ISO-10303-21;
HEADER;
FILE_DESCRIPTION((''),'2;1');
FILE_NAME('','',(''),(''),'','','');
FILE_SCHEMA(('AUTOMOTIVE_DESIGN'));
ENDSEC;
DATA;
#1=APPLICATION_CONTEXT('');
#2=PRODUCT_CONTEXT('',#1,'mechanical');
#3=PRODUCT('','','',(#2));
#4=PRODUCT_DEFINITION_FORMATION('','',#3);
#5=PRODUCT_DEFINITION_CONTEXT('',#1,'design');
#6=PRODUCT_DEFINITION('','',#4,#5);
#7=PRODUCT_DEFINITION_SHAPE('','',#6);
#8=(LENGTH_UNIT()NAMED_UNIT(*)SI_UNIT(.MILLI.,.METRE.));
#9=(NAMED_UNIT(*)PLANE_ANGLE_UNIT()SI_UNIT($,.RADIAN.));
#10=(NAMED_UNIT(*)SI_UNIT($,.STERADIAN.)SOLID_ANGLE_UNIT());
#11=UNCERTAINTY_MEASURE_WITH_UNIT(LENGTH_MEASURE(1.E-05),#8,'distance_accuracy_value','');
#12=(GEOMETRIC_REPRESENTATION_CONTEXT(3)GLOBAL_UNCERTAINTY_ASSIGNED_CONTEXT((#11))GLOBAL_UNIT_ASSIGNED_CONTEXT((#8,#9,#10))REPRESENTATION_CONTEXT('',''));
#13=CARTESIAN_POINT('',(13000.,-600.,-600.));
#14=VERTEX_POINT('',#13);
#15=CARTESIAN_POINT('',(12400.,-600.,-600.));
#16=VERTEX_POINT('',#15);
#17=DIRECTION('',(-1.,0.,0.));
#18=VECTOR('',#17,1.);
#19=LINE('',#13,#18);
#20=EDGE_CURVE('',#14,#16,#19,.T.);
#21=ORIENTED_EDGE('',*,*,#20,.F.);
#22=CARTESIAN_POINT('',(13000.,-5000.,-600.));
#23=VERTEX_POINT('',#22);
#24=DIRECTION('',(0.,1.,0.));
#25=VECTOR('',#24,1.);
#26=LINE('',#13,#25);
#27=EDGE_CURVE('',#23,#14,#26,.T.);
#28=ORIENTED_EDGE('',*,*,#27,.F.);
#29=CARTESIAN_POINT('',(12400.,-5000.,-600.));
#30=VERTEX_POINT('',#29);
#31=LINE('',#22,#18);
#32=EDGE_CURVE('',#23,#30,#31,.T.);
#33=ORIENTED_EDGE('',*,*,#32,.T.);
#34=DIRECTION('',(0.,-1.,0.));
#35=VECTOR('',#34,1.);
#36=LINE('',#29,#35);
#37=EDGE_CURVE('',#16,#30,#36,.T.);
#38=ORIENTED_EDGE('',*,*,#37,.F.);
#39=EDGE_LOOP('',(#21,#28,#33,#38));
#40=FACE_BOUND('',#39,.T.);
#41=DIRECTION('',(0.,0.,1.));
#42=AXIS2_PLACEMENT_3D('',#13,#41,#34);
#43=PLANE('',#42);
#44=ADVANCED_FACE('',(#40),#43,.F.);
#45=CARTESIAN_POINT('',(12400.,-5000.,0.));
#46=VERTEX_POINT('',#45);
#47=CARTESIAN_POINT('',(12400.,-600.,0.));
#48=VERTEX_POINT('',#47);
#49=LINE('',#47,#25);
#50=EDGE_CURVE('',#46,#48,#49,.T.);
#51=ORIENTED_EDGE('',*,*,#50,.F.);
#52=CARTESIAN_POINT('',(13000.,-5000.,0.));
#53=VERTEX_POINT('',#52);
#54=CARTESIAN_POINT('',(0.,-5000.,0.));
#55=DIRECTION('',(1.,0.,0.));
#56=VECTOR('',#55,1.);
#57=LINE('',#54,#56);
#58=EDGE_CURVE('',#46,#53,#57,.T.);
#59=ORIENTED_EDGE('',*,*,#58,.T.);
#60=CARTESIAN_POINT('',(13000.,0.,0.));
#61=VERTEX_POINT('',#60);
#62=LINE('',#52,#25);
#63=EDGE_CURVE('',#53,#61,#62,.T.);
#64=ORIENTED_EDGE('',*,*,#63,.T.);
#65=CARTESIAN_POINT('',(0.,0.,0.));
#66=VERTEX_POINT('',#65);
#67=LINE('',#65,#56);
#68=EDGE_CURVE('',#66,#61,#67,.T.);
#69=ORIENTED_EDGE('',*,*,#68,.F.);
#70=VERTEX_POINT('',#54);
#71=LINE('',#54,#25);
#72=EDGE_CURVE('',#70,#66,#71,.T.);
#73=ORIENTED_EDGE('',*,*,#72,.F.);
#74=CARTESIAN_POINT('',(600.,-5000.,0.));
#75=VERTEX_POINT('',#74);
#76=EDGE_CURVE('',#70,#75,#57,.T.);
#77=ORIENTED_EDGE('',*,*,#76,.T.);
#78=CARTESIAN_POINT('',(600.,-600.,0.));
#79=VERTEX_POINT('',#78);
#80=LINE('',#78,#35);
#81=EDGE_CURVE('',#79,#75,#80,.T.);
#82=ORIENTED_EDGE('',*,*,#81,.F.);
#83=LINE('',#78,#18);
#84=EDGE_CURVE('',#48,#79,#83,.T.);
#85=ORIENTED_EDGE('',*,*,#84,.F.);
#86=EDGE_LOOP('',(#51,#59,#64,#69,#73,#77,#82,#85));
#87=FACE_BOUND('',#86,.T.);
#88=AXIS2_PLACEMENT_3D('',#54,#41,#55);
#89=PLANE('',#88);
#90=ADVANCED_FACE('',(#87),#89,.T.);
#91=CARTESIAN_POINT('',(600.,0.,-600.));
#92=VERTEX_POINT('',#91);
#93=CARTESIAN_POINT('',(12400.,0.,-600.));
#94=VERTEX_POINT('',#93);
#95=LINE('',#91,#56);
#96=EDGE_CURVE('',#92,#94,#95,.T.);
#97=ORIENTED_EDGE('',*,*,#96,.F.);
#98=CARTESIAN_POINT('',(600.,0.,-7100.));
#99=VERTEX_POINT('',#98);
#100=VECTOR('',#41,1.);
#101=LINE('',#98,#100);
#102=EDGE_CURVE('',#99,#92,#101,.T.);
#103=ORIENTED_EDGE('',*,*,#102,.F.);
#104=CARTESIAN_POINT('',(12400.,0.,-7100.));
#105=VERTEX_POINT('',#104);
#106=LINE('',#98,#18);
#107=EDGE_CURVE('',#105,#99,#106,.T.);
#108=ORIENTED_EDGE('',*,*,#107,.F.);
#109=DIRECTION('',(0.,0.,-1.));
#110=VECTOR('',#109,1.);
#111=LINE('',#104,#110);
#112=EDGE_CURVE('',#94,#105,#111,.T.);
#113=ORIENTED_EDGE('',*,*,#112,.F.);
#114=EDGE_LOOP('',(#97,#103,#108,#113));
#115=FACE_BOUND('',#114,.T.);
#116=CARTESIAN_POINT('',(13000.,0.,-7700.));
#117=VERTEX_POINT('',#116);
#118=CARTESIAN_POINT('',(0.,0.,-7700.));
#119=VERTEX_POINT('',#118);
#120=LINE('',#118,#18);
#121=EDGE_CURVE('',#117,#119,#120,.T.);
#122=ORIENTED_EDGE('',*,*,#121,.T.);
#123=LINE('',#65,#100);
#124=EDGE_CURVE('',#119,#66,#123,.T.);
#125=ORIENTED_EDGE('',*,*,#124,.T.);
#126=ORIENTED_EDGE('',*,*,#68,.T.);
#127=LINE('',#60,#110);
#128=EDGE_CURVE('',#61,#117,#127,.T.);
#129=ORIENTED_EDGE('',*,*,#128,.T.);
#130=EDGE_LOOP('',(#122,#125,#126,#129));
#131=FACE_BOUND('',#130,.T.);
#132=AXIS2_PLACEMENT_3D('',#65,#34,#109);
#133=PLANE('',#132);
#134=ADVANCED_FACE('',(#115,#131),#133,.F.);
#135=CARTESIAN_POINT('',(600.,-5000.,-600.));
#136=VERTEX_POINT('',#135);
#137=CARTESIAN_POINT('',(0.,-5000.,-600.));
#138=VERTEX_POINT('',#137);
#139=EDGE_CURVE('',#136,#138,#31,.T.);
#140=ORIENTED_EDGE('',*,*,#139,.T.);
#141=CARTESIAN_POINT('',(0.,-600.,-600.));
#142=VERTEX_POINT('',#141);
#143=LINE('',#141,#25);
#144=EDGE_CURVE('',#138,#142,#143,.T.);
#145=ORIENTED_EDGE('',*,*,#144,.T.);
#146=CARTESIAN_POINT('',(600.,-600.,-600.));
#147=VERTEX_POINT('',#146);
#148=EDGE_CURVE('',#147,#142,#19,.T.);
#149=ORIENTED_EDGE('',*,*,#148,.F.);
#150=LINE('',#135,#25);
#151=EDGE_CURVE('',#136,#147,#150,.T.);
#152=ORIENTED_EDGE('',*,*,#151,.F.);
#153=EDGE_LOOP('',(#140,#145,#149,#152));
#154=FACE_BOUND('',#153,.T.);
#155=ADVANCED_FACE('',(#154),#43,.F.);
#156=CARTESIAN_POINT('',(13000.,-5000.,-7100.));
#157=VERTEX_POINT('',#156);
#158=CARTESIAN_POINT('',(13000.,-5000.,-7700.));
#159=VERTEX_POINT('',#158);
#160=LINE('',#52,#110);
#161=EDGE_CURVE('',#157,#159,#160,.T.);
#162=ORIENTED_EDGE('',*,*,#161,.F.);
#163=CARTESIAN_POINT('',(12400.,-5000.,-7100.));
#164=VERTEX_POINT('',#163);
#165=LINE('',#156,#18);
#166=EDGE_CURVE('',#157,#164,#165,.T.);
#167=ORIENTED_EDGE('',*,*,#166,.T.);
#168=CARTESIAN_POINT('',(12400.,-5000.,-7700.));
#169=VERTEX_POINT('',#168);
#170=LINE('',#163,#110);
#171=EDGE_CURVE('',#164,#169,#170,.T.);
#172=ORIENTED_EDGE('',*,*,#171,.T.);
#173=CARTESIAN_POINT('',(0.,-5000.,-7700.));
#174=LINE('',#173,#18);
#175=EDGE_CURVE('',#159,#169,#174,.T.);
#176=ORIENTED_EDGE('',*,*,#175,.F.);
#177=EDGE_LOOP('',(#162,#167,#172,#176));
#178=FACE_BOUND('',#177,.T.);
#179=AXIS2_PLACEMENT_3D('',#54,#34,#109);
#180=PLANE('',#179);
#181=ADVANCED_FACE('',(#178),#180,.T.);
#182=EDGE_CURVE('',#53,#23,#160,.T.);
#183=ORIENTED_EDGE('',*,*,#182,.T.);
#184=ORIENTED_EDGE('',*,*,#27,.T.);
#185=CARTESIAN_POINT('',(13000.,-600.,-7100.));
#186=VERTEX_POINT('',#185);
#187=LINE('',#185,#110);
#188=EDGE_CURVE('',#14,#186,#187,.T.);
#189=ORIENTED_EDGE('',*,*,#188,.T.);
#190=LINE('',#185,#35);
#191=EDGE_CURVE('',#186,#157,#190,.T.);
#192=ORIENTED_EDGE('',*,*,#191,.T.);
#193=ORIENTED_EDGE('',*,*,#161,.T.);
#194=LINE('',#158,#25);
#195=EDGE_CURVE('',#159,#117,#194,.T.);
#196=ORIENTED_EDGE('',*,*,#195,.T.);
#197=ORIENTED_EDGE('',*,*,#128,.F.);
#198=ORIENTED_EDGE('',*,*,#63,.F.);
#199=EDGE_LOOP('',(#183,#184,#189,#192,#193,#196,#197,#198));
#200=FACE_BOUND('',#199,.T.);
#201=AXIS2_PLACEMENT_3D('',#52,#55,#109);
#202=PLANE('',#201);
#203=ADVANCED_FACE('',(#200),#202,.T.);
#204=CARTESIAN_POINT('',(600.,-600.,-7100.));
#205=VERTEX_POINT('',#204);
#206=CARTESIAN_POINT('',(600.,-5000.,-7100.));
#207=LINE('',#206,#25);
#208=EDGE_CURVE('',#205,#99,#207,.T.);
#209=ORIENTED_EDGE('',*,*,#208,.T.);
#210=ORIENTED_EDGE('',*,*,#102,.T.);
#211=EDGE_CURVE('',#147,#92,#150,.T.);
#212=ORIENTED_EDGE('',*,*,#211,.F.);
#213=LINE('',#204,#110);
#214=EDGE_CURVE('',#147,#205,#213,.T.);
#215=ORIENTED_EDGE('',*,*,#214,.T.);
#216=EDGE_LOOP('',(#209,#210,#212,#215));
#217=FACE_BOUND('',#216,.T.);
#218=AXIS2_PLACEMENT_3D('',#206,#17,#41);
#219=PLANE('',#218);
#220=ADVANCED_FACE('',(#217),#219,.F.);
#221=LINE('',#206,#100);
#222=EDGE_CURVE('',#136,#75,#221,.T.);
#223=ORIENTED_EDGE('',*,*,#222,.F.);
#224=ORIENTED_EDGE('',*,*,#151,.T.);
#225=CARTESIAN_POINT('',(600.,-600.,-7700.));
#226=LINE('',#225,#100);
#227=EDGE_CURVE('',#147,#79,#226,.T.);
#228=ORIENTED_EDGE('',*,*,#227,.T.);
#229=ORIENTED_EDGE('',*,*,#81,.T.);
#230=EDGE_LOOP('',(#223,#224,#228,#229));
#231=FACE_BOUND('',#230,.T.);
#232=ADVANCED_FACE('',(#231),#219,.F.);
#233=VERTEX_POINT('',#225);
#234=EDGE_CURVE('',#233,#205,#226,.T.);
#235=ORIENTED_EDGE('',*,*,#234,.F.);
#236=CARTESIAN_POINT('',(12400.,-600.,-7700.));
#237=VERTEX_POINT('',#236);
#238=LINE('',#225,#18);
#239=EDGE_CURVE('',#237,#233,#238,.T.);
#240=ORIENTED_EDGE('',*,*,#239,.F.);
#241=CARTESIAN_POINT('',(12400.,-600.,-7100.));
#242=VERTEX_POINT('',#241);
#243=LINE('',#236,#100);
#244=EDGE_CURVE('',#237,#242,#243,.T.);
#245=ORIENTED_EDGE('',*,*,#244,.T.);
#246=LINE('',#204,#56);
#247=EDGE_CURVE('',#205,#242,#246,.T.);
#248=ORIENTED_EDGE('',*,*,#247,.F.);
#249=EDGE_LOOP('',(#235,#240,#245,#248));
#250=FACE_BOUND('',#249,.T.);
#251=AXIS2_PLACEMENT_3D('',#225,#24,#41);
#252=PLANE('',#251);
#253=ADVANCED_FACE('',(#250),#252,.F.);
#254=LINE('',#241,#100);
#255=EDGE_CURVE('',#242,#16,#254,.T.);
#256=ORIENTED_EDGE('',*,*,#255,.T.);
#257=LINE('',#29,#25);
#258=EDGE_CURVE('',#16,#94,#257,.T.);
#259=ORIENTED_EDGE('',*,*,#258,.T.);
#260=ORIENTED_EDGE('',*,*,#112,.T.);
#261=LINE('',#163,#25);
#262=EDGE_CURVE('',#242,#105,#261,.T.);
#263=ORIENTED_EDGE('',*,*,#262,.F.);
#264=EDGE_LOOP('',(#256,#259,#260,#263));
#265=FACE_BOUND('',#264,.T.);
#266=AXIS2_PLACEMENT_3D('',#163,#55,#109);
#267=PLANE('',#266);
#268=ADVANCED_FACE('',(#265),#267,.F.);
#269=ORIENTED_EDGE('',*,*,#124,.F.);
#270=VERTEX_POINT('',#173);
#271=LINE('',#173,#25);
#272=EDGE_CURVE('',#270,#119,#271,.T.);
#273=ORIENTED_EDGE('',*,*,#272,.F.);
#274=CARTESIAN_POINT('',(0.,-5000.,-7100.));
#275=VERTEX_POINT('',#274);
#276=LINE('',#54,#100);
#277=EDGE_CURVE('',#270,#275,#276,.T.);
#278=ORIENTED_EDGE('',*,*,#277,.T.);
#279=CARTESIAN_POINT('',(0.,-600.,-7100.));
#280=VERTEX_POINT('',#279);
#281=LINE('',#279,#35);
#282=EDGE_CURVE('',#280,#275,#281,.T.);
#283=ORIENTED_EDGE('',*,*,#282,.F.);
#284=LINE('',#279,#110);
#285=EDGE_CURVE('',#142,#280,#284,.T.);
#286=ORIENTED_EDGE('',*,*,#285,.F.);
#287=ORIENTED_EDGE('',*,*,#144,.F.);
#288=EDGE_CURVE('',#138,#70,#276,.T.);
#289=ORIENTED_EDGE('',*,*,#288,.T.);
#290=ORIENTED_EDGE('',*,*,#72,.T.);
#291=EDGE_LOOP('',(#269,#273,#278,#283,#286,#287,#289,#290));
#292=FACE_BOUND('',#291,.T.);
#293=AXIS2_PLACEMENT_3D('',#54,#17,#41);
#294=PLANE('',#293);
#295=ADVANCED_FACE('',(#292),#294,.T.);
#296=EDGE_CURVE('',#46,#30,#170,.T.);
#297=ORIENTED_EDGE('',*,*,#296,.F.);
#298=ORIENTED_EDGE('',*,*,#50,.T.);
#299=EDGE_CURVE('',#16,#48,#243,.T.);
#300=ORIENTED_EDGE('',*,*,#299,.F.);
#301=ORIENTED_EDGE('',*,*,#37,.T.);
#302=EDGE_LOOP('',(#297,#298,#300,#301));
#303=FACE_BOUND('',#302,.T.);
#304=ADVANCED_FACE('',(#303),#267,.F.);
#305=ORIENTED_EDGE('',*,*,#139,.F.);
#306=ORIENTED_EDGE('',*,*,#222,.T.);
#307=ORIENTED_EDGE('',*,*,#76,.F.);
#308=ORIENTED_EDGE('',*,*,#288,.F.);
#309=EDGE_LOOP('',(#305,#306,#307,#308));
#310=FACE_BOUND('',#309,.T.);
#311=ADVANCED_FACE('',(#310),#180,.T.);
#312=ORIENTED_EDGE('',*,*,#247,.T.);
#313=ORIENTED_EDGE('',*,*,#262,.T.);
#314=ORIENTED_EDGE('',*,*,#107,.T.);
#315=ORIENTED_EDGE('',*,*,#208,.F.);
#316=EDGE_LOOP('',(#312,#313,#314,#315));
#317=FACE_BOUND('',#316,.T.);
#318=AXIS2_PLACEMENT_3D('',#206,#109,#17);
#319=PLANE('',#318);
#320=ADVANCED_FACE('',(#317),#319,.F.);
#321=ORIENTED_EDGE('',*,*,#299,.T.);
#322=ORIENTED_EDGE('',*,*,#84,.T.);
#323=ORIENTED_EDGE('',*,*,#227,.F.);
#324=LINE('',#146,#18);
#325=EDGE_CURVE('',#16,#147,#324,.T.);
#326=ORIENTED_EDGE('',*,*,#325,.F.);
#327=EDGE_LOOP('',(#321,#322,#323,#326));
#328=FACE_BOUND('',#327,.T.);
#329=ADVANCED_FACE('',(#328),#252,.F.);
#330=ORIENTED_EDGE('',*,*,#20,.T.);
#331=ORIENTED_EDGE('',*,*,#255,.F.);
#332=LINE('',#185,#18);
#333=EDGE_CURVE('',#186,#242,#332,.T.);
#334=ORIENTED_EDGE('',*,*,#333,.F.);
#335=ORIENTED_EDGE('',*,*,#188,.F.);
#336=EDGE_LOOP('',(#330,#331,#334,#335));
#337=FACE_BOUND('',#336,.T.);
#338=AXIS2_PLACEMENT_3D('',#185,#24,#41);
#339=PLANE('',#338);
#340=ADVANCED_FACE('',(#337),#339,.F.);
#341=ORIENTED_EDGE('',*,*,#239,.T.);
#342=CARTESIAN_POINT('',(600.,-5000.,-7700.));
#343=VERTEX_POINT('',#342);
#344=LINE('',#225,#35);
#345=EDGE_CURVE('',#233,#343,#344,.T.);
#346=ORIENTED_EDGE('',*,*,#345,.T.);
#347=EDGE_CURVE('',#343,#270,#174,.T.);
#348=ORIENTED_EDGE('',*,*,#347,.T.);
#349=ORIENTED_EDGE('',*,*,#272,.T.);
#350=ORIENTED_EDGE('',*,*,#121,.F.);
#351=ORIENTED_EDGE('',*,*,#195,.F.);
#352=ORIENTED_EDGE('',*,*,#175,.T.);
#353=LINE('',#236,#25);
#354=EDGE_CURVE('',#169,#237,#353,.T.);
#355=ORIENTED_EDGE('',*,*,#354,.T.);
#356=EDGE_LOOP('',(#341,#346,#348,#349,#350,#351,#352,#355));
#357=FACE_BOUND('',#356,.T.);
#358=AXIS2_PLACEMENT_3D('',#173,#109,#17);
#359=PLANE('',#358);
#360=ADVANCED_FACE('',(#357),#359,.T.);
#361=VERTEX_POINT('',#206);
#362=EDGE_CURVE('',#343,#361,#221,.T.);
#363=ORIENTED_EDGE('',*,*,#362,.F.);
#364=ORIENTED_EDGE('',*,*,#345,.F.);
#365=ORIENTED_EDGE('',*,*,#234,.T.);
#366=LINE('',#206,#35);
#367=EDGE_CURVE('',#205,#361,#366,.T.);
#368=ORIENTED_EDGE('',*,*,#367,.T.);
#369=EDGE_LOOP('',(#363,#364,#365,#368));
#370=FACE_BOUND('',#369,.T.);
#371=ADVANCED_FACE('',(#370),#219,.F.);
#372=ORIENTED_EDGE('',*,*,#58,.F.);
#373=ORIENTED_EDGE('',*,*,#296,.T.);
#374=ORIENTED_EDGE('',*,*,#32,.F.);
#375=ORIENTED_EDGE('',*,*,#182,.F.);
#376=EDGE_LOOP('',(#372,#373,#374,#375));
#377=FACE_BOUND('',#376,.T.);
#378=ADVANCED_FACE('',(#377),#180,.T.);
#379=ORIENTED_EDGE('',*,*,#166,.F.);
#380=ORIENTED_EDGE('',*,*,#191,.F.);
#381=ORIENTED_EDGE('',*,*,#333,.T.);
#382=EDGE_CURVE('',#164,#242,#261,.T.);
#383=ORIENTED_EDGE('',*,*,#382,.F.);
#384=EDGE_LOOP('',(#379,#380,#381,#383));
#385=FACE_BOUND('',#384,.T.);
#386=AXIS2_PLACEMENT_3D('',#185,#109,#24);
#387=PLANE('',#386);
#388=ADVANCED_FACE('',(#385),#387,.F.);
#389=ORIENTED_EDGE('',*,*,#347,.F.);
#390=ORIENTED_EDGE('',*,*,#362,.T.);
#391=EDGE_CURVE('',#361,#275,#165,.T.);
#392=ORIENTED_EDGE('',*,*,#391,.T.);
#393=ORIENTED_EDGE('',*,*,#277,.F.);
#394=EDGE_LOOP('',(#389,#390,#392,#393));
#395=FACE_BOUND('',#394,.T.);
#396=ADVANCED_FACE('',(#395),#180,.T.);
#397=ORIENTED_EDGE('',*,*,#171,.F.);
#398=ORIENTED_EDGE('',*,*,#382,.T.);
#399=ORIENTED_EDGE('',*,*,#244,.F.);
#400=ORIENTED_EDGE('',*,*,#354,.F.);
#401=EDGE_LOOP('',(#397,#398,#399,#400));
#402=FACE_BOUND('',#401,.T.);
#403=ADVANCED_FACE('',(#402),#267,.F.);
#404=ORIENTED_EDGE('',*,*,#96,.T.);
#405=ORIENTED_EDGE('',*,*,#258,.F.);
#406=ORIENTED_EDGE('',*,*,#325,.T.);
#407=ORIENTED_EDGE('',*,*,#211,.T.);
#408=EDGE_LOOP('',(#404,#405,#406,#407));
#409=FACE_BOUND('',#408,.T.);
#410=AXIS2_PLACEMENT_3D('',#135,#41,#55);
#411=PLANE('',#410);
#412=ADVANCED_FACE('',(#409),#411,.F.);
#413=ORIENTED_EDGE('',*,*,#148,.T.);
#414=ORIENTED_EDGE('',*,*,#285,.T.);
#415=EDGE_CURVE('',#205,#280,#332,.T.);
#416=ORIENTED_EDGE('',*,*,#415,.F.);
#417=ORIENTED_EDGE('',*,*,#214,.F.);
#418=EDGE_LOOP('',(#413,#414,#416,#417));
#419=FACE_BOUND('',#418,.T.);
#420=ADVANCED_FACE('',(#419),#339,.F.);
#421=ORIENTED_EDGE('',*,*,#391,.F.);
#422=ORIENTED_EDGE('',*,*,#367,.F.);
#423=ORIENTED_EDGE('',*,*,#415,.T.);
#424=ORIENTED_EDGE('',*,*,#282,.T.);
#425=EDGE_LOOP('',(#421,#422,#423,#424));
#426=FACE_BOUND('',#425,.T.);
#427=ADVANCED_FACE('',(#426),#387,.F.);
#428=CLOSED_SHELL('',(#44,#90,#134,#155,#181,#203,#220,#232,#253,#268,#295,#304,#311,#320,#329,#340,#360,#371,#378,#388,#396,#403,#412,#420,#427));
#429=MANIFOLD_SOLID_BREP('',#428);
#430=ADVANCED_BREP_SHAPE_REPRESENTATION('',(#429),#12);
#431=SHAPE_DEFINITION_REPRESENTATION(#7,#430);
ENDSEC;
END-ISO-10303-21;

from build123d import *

# Parameters (mm, degrees)
ESQUISSE2_W             = 13000
ESQUISSE2_H             = 7700
BOSS_EXTRU_1_DEPTH      = 5000
ESQUISSE6_W             = 11800
ESQUISSE6_H             = 6500
ENL_V_MAT_EXTRU_2_DEPTH = 5000
ESQUISSE7_W             = 11800
ESQUISSE7_H             = 4400
ENL_V_MAT_EXTRU_3_DEPTH = 15916.087181665
ESQUISSE10_W            = 6500
ESQUISSE10_H            = 4400
ENL_V_MAT_EXTRU_4_DEPTH = 15916.087181665


with BuildPart() as part:
    # Esquisse2 → Boss.-Extru.1 (new body)
    with BuildSketch(Plane(origin=(0, 0, 0), x_dir=(1, 0, 0), z_dir=(0, 1, 0))):
        with Locations((6500, 3850)):
            Rectangle(ESQUISSE2_W, ESQUISSE2_H)
    extrude(amount=-BOSS_EXTRU_1_DEPTH)

    # Esquisse6 → Enlèv. mat.-Extru.2 (cut)
    with BuildSketch(Plane(origin=(0, 0, 0), x_dir=(1, 0, 0), z_dir=(0, 1, 0))):
        with Locations((6500, 3850)):
            Rectangle(ESQUISSE6_W, ESQUISSE6_H)
    extrude(amount=-ENL_V_MAT_EXTRU_2_DEPTH, mode=Mode.SUBTRACT)

    # Esquisse7 → Enlèv. mat.-Extru.3 (cut, through all)
    with BuildSketch(Plane.XY):
        with Locations((6500, -2800)):
            Rectangle(ESQUISSE7_W, ESQUISSE7_H)
    extrude(amount=-ENL_V_MAT_EXTRU_3_DEPTH, mode=Mode.SUBTRACT)

    # Esquisse10 → Enlèv. mat.-Extru.4 (cut, through all)
    with BuildSketch(Plane.ZY):
        with Locations((-3850, -2800)):
            Rectangle(ESQUISSE10_W, ESQUISSE10_H)
    extrude(amount=-ENL_V_MAT_EXTRU_4_DEPTH, mode=Mode.SUBTRACT)


solid = part.part
